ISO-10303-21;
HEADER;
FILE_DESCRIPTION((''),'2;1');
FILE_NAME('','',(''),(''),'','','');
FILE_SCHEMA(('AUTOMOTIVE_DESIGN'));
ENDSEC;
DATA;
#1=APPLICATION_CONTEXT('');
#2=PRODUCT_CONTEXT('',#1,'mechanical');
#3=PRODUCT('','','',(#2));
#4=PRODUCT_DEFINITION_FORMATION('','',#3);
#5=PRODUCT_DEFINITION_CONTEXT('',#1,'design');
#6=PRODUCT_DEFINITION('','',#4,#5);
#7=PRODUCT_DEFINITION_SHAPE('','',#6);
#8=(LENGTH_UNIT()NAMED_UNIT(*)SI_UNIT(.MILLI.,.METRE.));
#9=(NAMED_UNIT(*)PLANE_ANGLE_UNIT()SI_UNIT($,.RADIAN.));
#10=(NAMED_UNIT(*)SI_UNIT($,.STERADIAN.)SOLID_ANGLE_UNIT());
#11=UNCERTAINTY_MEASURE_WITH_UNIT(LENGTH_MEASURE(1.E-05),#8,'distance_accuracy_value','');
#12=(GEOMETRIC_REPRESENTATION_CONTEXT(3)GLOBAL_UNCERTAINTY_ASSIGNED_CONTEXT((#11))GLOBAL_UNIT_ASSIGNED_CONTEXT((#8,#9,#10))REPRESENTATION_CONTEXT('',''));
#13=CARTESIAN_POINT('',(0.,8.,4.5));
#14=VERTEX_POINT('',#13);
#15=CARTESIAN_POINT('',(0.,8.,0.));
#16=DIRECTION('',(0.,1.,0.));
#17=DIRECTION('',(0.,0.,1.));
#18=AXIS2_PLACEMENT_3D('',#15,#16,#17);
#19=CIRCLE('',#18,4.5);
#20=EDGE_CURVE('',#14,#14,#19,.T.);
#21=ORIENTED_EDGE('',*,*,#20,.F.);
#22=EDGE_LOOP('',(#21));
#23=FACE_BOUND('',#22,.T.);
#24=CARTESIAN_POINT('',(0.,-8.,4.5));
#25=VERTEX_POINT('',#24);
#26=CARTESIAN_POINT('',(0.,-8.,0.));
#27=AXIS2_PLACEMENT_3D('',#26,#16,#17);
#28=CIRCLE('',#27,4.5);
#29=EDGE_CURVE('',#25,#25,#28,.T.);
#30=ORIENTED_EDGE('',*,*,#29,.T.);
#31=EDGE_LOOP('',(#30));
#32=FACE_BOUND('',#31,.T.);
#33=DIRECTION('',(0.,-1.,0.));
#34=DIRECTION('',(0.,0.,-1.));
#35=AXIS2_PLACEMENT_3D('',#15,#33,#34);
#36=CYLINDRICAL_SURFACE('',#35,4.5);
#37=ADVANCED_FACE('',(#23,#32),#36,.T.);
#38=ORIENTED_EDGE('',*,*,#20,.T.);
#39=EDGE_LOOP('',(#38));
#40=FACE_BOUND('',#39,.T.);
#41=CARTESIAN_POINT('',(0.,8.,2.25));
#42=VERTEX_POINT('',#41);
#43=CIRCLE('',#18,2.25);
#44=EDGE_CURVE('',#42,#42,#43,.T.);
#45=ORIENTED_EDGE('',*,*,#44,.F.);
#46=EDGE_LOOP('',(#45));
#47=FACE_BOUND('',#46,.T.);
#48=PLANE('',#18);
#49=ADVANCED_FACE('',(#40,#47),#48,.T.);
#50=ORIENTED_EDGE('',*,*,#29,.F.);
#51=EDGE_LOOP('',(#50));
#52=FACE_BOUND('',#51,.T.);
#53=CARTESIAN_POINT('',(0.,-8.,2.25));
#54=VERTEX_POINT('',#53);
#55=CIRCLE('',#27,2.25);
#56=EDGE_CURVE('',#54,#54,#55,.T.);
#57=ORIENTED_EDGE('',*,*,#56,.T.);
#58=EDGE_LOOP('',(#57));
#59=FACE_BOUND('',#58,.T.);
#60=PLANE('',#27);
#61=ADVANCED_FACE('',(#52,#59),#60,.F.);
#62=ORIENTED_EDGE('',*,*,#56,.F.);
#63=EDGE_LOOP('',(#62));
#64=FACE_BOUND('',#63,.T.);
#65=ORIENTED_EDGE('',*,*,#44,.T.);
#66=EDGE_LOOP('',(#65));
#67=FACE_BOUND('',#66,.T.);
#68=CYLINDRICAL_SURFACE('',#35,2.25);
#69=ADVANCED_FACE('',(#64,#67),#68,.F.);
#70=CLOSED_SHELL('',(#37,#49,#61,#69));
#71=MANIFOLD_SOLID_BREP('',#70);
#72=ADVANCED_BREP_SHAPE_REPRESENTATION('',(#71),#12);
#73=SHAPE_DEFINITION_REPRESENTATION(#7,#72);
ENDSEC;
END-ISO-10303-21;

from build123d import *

# Parameters (mm, degrees)
SKETCH_1_R      = 4.5
SKETCH_1_R_2    = 2.25
EXTRUDE_1_DEPTH = 8


with BuildPart() as part:
    # Эскиз1 → Бобышка-Вытянуть1 (new, symmetric)
    with BuildSketch(Plane(origin=(0, 0, 0), x_dir=(1, 0, 0), z_dir=(0, 1, 0))):
        with Locations(Location((0, 0, 0), (0, 0, 270))):
            Circle(SKETCH_1_R)
        with Locations(Location((0, 0, 0), (0, 0, 270))):
            Circle(SKETCH_1_R_2, mode=Mode.SUBTRACT)
    extrude(amount=EXTRUDE_1_DEPTH, both=True)


solid = part.part
